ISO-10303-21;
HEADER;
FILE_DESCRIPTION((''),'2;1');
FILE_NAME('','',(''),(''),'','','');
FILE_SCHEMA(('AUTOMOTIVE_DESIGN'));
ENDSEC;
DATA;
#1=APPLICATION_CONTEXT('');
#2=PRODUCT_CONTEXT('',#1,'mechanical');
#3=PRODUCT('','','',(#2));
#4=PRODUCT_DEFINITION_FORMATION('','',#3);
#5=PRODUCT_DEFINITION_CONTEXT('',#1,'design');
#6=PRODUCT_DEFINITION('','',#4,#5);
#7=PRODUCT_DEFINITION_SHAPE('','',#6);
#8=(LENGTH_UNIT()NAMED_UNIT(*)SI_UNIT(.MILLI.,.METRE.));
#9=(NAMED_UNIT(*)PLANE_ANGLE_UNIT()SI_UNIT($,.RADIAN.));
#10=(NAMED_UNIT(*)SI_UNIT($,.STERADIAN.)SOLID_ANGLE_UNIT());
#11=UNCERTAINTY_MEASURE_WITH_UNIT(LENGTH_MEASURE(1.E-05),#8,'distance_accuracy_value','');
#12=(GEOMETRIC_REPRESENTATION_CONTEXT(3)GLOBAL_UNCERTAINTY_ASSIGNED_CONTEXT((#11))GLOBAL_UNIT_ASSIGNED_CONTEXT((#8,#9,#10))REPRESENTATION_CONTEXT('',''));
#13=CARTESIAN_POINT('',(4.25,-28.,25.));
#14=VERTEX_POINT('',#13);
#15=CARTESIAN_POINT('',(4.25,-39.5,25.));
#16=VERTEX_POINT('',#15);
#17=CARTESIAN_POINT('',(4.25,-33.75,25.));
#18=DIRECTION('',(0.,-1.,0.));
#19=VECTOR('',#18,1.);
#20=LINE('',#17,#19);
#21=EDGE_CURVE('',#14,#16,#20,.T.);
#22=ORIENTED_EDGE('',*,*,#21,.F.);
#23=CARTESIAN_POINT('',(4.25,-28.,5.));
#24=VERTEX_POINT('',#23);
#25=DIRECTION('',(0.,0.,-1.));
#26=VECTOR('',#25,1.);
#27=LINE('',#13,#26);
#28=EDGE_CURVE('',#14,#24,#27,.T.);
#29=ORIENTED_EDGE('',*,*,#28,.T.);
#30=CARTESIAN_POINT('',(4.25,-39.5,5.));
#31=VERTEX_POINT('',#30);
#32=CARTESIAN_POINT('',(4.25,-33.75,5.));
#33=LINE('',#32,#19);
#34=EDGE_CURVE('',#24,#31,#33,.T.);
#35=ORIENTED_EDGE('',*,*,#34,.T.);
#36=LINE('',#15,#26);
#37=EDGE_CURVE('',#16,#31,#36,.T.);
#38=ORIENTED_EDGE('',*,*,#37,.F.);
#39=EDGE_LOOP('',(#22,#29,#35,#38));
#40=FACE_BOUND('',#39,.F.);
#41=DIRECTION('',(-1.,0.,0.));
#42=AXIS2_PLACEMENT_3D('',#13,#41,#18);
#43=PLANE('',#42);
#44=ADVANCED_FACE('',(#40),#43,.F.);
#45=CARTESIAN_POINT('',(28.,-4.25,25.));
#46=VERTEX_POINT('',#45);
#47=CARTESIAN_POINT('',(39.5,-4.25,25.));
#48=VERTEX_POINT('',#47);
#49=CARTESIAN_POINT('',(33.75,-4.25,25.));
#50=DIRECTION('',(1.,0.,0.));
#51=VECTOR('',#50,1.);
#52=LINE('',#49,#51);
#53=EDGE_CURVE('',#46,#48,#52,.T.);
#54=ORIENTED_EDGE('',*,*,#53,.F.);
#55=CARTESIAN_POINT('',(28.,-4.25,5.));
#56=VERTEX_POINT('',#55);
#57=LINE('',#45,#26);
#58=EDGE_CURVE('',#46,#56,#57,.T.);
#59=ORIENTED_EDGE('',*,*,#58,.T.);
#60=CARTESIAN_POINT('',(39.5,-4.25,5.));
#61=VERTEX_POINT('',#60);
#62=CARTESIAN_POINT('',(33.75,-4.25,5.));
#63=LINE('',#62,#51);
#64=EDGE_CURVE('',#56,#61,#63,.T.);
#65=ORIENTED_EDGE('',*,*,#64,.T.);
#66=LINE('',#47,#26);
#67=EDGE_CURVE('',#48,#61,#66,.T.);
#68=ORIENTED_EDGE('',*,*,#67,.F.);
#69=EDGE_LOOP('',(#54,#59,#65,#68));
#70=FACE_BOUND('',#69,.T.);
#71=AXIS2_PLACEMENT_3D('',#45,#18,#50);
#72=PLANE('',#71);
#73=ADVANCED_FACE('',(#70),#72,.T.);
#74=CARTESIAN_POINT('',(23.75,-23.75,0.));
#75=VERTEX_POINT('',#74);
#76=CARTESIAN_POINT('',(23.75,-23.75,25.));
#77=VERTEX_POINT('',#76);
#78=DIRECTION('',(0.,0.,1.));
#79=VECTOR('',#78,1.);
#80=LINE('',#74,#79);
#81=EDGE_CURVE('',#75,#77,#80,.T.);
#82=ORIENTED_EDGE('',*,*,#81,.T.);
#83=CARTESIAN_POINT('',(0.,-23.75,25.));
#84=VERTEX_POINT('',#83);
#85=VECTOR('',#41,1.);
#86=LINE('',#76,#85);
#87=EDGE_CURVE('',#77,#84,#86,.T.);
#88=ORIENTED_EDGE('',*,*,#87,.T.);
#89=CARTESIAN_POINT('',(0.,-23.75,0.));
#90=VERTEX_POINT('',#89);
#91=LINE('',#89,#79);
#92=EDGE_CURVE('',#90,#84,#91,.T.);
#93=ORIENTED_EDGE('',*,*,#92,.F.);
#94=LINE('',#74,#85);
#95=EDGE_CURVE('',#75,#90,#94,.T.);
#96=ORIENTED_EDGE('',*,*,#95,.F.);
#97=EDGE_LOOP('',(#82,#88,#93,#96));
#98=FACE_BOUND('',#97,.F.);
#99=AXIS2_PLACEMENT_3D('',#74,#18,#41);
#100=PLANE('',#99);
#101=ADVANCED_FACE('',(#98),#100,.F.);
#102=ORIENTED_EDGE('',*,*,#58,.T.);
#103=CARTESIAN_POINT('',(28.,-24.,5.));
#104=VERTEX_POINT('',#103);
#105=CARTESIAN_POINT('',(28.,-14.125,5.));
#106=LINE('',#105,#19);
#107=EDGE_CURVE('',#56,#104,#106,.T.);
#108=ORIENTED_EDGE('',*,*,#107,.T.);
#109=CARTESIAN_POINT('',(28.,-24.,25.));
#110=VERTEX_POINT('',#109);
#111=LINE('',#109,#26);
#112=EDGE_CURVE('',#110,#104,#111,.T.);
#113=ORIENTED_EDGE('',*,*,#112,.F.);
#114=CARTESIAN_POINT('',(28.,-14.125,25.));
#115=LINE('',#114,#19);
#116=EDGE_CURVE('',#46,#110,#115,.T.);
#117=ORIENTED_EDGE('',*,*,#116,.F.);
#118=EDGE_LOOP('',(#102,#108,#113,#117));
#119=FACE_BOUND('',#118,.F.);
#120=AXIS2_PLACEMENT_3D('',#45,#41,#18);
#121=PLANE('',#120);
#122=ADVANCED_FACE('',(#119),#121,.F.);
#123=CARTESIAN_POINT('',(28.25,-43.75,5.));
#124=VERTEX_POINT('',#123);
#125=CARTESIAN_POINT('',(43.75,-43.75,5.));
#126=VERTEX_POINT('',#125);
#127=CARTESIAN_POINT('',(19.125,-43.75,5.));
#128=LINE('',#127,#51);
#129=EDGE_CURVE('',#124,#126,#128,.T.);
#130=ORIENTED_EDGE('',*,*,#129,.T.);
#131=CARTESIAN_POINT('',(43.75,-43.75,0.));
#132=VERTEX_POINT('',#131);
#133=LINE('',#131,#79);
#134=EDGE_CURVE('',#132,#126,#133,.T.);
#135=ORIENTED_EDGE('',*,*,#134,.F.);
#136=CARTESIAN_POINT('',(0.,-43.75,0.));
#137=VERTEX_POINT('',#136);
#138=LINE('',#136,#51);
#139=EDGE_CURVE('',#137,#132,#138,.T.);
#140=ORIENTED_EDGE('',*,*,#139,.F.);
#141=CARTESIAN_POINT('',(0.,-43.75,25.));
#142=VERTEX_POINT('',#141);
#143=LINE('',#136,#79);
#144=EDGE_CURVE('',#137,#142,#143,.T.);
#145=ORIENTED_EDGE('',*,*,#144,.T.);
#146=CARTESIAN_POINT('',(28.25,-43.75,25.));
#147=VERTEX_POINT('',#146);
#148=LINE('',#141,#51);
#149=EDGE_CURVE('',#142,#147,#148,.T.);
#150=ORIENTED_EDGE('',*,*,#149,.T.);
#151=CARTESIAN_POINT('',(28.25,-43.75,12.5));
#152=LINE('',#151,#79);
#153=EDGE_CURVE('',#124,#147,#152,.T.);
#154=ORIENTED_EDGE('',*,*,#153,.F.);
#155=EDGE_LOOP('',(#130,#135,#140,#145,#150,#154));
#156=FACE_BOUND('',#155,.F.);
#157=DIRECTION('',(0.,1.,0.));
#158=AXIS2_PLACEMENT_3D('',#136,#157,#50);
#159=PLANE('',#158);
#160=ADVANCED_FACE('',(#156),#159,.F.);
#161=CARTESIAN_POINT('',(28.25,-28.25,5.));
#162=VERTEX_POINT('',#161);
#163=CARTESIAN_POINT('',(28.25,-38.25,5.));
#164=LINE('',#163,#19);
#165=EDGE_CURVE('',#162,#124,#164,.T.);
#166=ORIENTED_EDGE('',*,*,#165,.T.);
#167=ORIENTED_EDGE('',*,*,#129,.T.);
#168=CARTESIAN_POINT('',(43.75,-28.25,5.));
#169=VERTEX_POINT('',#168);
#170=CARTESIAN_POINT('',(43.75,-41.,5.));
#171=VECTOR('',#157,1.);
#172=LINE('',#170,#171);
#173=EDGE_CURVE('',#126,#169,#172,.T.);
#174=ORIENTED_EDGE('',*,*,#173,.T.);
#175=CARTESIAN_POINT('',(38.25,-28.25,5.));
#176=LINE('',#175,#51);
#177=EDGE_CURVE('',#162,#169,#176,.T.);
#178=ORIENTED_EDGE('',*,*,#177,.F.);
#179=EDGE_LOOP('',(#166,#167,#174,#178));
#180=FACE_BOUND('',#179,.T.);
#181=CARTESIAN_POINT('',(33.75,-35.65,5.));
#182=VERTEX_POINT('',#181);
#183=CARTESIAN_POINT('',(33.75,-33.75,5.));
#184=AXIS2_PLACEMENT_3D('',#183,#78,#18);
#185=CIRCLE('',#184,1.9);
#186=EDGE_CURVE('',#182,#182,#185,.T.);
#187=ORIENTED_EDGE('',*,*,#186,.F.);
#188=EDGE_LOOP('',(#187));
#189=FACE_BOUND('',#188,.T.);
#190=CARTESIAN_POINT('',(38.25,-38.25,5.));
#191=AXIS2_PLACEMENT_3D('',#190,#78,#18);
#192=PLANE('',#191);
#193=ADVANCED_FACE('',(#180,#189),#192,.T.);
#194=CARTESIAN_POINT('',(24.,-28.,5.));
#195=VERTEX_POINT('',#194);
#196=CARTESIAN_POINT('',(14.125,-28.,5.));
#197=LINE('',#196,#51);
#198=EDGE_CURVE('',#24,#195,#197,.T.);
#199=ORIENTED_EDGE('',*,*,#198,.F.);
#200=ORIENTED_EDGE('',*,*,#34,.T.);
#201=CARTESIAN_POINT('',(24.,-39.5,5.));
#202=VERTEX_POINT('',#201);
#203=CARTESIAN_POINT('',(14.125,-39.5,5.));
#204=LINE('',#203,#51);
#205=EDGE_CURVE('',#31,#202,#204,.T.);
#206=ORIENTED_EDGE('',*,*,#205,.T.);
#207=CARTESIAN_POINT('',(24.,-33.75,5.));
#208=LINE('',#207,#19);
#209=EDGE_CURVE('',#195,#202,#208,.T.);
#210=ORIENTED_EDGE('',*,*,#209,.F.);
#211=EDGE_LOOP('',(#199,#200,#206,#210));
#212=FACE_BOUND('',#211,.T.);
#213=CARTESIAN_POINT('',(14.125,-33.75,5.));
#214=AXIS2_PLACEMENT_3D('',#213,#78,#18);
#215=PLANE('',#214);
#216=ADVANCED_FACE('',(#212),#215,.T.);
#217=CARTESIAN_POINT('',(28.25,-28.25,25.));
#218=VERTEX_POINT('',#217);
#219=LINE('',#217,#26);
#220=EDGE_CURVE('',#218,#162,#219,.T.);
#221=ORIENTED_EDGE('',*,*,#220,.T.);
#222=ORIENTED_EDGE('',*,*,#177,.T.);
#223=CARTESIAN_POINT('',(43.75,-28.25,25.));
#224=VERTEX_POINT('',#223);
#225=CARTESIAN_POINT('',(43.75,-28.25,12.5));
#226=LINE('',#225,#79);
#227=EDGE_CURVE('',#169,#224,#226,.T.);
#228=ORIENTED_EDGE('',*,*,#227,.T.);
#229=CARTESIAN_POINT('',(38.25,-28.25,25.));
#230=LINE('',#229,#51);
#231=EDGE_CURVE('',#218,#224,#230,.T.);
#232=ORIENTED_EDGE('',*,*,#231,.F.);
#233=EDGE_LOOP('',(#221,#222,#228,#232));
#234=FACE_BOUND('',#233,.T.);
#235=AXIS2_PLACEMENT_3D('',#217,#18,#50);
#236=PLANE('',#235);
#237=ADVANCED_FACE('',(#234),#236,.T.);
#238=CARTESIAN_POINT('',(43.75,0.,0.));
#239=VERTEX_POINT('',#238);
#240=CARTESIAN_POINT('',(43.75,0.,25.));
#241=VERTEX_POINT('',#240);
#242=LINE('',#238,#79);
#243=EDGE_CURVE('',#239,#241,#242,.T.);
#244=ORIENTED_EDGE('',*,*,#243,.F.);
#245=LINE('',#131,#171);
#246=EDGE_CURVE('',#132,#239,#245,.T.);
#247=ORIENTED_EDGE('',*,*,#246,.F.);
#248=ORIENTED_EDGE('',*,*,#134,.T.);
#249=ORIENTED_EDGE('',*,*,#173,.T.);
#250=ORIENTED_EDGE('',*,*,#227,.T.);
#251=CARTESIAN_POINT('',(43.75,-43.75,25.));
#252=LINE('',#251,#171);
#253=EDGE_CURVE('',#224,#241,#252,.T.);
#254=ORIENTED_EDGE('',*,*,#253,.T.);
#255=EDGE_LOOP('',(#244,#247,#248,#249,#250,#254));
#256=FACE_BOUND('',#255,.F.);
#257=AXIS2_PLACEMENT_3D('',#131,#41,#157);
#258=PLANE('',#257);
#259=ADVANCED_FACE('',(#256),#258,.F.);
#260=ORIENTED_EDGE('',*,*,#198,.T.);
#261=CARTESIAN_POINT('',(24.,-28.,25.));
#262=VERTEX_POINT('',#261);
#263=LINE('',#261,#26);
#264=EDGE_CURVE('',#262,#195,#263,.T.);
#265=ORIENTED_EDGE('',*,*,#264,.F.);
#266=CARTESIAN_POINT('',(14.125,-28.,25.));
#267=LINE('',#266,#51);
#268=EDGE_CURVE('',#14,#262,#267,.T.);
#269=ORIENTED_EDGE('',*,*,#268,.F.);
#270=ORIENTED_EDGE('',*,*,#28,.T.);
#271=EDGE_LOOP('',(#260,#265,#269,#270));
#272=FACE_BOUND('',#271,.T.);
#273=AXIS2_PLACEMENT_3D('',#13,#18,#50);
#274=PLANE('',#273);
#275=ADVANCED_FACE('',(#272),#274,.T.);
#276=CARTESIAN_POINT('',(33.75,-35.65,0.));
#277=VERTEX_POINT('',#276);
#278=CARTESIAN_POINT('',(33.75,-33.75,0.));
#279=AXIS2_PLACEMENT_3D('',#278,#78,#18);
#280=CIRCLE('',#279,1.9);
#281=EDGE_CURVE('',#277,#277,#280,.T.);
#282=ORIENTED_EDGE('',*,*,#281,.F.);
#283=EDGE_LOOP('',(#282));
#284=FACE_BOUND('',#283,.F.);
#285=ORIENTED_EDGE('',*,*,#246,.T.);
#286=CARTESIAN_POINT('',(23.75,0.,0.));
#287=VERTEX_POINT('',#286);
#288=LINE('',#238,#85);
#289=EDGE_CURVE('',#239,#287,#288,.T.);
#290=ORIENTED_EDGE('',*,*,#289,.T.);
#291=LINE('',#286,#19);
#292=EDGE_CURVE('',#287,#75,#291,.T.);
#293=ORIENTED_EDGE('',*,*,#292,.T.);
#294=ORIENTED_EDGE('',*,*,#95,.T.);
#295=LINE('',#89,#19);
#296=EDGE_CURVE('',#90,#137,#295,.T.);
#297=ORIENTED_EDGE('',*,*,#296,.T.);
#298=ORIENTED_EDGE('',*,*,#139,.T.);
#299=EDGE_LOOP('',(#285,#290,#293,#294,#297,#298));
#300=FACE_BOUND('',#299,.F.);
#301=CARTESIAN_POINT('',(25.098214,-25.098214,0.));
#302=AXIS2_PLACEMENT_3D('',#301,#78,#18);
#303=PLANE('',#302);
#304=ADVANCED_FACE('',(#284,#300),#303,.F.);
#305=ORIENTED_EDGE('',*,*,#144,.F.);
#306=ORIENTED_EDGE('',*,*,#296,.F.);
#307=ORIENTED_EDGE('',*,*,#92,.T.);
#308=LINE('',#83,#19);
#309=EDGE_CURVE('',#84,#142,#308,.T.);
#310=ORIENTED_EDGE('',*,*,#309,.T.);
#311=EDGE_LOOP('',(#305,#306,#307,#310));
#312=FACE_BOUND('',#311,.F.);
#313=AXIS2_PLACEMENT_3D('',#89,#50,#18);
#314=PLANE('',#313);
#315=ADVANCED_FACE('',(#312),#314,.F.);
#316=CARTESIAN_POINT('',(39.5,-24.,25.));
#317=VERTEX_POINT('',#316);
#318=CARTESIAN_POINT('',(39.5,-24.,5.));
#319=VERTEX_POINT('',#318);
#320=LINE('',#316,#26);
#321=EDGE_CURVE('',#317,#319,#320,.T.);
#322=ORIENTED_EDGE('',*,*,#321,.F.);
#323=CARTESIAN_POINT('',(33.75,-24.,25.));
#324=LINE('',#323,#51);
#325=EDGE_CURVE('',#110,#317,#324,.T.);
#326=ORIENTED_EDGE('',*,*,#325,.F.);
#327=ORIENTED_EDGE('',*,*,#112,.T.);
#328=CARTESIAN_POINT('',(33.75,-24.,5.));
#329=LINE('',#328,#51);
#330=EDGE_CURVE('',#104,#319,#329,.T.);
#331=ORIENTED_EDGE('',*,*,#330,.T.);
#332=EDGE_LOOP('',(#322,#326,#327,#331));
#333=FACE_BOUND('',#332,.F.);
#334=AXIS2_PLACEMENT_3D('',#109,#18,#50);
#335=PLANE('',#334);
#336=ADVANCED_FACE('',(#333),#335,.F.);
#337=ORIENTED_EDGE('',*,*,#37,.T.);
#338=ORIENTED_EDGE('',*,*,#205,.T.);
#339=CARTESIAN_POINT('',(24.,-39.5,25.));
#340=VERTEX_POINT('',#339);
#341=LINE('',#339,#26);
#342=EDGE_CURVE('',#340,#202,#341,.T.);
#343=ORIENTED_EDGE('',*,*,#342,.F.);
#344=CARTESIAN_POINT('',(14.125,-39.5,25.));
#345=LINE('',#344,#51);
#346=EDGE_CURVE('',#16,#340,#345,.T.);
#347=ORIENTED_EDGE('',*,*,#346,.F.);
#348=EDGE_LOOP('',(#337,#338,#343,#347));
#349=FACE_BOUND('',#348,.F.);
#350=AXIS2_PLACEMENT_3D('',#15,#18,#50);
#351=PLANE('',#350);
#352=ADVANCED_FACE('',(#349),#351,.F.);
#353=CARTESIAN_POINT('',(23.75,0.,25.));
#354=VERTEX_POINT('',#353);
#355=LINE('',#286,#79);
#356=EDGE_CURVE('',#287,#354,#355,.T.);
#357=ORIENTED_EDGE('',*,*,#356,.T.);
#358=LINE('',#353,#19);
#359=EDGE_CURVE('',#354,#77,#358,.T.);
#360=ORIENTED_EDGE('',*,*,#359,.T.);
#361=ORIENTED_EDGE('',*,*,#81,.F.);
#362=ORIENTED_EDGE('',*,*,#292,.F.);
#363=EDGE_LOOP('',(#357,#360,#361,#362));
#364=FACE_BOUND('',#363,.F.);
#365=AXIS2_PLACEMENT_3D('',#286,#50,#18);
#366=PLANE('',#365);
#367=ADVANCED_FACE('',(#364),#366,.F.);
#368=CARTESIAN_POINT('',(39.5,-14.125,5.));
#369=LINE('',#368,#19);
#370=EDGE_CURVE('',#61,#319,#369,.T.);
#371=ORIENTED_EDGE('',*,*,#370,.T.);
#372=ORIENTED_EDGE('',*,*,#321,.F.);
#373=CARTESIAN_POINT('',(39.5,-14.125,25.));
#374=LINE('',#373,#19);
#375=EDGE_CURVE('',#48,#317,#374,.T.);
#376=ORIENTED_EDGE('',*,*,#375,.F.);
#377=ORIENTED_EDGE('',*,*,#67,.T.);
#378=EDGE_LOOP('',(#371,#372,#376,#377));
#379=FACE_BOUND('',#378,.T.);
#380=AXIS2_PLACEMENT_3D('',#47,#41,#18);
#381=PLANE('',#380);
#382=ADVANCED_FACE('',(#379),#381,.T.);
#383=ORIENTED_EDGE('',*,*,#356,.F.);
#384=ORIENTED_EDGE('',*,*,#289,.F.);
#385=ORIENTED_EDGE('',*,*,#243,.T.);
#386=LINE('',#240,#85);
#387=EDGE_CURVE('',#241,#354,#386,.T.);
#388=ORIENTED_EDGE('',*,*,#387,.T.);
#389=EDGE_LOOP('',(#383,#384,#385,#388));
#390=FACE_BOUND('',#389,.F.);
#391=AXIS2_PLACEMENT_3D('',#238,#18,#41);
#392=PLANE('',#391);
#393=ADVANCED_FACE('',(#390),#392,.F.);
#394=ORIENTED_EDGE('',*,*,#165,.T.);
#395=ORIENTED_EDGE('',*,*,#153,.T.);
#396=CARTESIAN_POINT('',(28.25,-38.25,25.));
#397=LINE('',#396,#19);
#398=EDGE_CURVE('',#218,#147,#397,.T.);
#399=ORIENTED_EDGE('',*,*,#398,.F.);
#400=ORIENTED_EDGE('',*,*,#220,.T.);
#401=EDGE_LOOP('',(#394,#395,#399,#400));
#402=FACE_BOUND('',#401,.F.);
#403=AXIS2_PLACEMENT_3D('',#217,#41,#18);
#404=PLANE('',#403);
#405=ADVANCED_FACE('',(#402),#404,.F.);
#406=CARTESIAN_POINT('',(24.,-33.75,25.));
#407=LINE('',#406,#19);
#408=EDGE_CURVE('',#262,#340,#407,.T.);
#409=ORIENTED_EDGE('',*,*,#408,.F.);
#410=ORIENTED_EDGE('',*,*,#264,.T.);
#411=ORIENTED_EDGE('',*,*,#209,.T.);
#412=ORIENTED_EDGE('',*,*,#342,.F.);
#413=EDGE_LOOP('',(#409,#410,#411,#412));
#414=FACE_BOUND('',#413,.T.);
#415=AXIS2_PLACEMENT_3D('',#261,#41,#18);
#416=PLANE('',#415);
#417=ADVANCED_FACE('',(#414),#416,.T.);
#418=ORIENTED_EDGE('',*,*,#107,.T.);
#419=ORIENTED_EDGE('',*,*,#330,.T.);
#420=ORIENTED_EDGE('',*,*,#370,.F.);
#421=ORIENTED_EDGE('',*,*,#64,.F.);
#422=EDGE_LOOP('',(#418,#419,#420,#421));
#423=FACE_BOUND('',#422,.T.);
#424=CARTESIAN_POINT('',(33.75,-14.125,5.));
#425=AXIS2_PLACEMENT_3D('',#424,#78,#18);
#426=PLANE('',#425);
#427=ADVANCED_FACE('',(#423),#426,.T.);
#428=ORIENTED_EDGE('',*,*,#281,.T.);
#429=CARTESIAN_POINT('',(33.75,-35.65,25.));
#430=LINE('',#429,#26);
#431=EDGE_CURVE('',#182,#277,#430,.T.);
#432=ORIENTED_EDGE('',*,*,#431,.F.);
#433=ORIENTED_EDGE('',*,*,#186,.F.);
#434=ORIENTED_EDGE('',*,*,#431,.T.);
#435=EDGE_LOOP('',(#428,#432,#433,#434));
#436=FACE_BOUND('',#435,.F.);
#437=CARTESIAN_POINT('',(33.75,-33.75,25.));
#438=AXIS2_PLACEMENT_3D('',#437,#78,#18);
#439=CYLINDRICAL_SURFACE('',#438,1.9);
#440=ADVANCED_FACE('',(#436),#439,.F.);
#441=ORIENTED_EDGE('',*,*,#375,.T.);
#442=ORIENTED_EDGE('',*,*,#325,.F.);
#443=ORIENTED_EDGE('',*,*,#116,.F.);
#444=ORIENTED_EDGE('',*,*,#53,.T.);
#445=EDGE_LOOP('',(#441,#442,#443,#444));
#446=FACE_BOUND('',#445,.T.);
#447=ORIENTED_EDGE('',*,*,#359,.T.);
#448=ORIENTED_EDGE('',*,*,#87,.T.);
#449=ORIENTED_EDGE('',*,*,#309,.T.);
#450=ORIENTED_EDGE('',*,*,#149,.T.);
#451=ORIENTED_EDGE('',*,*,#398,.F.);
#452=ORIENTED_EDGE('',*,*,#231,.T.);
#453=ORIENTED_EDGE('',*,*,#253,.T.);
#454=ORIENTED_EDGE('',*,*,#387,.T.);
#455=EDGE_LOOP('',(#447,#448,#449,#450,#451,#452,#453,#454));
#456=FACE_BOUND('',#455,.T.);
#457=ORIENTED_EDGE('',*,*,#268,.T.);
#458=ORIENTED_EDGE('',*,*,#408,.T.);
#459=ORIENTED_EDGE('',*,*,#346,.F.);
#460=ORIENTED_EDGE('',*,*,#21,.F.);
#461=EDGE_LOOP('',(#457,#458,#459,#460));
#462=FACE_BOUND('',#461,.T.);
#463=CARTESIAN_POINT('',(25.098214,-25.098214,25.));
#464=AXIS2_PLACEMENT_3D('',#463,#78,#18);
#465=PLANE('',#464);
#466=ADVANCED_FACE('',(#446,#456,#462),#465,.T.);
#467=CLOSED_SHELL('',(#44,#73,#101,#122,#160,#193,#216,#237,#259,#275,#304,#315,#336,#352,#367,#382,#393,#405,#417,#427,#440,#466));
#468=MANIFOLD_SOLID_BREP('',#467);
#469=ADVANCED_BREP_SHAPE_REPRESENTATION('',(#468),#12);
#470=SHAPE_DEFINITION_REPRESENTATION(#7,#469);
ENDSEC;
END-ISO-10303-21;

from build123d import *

# Parameters (mm, degrees)
PAD_DEPTH            = 25
SKETCH001_R          = 1.9
POCKET_DEPTH         = 25
SKETCH002_W          = 20
SKETCH002_H          = 20
POCKET001_DEPTH      = 20
SKETCH003_W          = 19.75
SKETCH003_H          = 11.5
SKETCH003_W_2        = 11.5
SKETCH003_H_2        = 19.75
POCKET002_DEPTH      = 20
BODY_PLACEMENT_ANGLE = 90


with BuildPart() as part:
    # Sketch → Pad (new body)
    with BuildSketch(Plane.XY):
        Polygon((0, 23.75), (23.75, 23.75), (23.75, 0), (43.75, 0), (43.75, 43.75), (0, 43.75), align=None)
    extrude(amount=PAD_DEPTH)

    # Sketch001 (on Face8 of Pad) → Pocket (cut)
    with BuildSketch(Plane.XY.offset(25)):
        with Locations((33.75, 33.75)):
            Circle(SKETCH001_R)
    extrude(amount=-POCKET_DEPTH, mode=Mode.SUBTRACT)

    # Sketch002 (on Face5 of Pocket) → Pocket001 (cut)
    with BuildSketch(Plane.XY.offset(25)):
        with Locations((38.25, 38.25)):
            Rectangle(SKETCH002_W, SKETCH002_H)
    extrude(amount=-POCKET001_DEPTH, mode=Mode.SUBTRACT)

    # Sketch003 (on Face5 of Pocket001) → Pocket002 (cut)
    with BuildSketch(Plane.XY.offset(25)):
        with Locations((14.125, 33.75)):
            Rectangle(SKETCH003_W, SKETCH003_H)
        with Locations((33.75, 14.125)):
            Rectangle(SKETCH003_W_2, SKETCH003_H_2)
    extrude(amount=-POCKET002_DEPTH, mode=Mode.SUBTRACT)


with BuildPart() as part_1:
    # Body placement: moved
    add(part.part.rotate(Axis((0, 0, 0), (0, 0, -1)), BODY_PLACEMENT_ANGLE))


solid = part_1.part
